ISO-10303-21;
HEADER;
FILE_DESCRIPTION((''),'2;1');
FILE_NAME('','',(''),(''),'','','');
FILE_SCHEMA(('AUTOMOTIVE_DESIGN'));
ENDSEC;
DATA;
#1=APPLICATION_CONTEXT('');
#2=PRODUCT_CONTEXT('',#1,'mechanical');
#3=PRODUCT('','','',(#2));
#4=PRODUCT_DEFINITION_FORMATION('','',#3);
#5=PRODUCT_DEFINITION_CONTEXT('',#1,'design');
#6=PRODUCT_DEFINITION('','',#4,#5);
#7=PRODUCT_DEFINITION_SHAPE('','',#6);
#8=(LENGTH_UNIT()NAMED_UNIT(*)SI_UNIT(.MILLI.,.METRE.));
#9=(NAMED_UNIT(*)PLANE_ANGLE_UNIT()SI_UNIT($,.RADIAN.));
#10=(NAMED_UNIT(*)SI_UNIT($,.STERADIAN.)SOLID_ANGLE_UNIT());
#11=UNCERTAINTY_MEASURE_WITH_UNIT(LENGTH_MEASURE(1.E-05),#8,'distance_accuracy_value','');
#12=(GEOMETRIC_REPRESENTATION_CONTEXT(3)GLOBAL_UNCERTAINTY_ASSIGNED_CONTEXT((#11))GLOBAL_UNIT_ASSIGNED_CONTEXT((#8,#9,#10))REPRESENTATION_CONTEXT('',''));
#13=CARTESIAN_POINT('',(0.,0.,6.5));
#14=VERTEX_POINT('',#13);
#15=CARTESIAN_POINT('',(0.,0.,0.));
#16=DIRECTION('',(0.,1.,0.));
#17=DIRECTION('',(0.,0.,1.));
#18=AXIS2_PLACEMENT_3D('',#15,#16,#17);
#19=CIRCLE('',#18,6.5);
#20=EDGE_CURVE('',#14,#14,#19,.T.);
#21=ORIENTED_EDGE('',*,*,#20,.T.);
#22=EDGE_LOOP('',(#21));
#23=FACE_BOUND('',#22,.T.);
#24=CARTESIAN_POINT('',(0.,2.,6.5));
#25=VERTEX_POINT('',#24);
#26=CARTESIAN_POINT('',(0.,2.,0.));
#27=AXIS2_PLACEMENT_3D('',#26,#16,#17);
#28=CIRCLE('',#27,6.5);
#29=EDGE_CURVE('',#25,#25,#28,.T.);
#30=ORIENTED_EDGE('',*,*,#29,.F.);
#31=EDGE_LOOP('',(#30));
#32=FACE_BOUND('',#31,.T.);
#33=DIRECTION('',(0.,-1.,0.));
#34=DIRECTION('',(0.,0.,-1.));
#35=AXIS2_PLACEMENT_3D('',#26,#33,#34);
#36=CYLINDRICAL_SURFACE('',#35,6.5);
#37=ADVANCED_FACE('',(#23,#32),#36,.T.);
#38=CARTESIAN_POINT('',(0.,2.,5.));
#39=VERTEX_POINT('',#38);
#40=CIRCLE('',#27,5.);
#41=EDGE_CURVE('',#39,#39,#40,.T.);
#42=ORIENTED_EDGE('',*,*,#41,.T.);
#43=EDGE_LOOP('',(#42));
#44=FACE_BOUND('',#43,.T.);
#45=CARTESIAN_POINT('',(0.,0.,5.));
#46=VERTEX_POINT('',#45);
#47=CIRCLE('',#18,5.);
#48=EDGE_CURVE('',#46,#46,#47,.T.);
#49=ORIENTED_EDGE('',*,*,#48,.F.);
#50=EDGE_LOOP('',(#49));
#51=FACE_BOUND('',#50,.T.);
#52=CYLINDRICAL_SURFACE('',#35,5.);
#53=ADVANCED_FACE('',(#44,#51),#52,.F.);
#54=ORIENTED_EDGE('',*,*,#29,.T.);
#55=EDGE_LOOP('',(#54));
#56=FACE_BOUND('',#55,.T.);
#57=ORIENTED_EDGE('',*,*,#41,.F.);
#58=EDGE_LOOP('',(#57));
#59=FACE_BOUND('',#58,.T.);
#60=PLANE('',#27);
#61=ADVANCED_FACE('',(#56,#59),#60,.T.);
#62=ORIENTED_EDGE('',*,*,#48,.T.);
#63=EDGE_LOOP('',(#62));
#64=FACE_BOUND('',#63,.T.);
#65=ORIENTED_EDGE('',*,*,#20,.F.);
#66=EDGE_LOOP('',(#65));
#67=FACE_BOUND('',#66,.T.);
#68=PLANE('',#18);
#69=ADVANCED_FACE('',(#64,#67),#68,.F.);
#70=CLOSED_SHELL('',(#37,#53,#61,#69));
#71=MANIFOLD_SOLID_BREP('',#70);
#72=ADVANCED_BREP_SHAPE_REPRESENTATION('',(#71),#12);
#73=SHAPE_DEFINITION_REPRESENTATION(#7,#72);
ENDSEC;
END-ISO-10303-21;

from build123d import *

# Parameters (mm, degrees)
SKETCH3_R           = 6.5
SKETCH3_R_2         = 5
BOSS_EXTRUDE3_DEPTH = 2


with BuildPart() as part:
    # Sketch3 → Boss-Extrude3 (new body)
    with BuildSketch(Plane(origin=(0, 0, 0), x_dir=(1, 0, 0), z_dir=(0, 1, 0))):
        with Locations(Location((0, 0, 0), (0, 0, 270))):
            Circle(SKETCH3_R)
        with Locations(Location((0, 0, 0), (0, 0, 270))):
            Circle(SKETCH3_R_2, mode=Mode.SUBTRACT)
    extrude(amount=BOSS_EXTRUDE3_DEPTH)


solid = part.part
